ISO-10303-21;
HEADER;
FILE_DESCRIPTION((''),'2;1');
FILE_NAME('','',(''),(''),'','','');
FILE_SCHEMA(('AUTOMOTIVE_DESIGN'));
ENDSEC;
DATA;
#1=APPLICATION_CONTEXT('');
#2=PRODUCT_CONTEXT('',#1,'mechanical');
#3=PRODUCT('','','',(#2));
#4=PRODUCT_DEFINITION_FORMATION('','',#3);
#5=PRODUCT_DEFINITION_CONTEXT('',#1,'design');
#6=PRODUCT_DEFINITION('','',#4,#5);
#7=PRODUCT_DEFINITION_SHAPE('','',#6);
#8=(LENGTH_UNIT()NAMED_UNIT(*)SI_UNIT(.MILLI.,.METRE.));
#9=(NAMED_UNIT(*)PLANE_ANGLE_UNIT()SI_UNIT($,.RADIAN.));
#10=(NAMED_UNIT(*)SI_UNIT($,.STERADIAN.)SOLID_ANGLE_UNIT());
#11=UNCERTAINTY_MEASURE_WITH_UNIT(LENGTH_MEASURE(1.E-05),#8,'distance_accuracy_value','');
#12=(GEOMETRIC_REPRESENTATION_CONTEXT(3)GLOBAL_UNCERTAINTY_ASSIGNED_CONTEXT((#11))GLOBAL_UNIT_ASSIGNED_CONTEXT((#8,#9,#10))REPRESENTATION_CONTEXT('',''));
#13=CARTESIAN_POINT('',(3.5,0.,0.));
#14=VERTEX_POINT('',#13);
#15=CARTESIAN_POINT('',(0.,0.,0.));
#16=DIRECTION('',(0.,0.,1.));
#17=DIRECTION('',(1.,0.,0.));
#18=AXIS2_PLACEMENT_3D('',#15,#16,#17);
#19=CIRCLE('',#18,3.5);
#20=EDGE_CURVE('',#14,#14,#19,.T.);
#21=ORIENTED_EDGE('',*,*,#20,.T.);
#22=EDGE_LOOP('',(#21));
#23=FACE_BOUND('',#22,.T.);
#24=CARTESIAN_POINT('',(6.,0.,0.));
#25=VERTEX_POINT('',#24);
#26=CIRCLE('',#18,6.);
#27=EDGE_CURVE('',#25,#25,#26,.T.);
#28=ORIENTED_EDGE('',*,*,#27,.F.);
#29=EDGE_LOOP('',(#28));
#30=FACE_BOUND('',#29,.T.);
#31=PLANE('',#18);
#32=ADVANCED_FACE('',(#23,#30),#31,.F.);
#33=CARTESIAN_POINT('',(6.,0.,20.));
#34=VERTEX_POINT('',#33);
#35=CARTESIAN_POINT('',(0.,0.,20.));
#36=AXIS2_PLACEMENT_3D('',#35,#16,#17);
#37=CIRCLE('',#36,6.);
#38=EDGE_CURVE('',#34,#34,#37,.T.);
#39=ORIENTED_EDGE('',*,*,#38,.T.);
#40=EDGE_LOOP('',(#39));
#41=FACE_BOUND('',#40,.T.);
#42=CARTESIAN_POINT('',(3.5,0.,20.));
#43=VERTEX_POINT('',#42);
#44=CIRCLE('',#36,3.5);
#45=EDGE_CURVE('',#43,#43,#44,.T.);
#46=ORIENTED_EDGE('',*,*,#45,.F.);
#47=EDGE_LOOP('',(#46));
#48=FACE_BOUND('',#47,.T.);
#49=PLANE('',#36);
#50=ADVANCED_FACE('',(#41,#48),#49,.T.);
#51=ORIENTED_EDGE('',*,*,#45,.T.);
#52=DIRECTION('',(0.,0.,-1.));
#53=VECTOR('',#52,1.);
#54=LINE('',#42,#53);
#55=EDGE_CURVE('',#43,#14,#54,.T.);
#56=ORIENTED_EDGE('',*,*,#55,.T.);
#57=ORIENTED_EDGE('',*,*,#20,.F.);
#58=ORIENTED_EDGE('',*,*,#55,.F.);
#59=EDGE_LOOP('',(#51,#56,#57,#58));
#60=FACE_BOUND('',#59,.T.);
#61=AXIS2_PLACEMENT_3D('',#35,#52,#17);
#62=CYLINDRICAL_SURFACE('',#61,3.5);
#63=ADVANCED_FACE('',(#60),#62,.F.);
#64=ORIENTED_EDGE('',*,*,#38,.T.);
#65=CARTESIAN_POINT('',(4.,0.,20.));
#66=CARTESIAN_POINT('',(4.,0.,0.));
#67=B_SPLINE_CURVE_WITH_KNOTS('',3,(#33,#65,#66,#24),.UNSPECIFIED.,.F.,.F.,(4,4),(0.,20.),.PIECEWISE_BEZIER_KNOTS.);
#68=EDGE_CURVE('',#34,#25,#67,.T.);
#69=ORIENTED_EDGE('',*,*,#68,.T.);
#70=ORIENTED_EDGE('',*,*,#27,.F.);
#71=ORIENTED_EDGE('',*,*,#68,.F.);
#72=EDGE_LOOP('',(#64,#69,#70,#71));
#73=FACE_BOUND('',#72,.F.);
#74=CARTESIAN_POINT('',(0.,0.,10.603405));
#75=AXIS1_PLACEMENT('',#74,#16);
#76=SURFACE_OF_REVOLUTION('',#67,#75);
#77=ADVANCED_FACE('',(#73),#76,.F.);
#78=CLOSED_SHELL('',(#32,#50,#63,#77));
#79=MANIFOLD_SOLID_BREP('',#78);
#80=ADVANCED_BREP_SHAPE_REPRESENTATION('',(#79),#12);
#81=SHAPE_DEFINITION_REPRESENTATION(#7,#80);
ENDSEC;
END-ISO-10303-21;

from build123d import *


with BuildPart() as f1:
    # F0 (on Front) → F1 (revolve)
    with BuildSketch(Plane.XZ):
        with BuildLine():
            Line((3.5, 20), (3.5, 0))
            Line((3.5, 0), (6, 0))
            add(Edge.make_bspline(
                [(6, 20), (4, 20), (4, 0), (6, 0)],
                knots=[0, 0, 0, 0, 20, 20, 20, 20], degree=3))
            Line((6, 20), (3.5, 20))
        make_face()
    revolve(axis=Axis((0, 0, 10.603405), (0, 0, 1)))


solid = f1.part
